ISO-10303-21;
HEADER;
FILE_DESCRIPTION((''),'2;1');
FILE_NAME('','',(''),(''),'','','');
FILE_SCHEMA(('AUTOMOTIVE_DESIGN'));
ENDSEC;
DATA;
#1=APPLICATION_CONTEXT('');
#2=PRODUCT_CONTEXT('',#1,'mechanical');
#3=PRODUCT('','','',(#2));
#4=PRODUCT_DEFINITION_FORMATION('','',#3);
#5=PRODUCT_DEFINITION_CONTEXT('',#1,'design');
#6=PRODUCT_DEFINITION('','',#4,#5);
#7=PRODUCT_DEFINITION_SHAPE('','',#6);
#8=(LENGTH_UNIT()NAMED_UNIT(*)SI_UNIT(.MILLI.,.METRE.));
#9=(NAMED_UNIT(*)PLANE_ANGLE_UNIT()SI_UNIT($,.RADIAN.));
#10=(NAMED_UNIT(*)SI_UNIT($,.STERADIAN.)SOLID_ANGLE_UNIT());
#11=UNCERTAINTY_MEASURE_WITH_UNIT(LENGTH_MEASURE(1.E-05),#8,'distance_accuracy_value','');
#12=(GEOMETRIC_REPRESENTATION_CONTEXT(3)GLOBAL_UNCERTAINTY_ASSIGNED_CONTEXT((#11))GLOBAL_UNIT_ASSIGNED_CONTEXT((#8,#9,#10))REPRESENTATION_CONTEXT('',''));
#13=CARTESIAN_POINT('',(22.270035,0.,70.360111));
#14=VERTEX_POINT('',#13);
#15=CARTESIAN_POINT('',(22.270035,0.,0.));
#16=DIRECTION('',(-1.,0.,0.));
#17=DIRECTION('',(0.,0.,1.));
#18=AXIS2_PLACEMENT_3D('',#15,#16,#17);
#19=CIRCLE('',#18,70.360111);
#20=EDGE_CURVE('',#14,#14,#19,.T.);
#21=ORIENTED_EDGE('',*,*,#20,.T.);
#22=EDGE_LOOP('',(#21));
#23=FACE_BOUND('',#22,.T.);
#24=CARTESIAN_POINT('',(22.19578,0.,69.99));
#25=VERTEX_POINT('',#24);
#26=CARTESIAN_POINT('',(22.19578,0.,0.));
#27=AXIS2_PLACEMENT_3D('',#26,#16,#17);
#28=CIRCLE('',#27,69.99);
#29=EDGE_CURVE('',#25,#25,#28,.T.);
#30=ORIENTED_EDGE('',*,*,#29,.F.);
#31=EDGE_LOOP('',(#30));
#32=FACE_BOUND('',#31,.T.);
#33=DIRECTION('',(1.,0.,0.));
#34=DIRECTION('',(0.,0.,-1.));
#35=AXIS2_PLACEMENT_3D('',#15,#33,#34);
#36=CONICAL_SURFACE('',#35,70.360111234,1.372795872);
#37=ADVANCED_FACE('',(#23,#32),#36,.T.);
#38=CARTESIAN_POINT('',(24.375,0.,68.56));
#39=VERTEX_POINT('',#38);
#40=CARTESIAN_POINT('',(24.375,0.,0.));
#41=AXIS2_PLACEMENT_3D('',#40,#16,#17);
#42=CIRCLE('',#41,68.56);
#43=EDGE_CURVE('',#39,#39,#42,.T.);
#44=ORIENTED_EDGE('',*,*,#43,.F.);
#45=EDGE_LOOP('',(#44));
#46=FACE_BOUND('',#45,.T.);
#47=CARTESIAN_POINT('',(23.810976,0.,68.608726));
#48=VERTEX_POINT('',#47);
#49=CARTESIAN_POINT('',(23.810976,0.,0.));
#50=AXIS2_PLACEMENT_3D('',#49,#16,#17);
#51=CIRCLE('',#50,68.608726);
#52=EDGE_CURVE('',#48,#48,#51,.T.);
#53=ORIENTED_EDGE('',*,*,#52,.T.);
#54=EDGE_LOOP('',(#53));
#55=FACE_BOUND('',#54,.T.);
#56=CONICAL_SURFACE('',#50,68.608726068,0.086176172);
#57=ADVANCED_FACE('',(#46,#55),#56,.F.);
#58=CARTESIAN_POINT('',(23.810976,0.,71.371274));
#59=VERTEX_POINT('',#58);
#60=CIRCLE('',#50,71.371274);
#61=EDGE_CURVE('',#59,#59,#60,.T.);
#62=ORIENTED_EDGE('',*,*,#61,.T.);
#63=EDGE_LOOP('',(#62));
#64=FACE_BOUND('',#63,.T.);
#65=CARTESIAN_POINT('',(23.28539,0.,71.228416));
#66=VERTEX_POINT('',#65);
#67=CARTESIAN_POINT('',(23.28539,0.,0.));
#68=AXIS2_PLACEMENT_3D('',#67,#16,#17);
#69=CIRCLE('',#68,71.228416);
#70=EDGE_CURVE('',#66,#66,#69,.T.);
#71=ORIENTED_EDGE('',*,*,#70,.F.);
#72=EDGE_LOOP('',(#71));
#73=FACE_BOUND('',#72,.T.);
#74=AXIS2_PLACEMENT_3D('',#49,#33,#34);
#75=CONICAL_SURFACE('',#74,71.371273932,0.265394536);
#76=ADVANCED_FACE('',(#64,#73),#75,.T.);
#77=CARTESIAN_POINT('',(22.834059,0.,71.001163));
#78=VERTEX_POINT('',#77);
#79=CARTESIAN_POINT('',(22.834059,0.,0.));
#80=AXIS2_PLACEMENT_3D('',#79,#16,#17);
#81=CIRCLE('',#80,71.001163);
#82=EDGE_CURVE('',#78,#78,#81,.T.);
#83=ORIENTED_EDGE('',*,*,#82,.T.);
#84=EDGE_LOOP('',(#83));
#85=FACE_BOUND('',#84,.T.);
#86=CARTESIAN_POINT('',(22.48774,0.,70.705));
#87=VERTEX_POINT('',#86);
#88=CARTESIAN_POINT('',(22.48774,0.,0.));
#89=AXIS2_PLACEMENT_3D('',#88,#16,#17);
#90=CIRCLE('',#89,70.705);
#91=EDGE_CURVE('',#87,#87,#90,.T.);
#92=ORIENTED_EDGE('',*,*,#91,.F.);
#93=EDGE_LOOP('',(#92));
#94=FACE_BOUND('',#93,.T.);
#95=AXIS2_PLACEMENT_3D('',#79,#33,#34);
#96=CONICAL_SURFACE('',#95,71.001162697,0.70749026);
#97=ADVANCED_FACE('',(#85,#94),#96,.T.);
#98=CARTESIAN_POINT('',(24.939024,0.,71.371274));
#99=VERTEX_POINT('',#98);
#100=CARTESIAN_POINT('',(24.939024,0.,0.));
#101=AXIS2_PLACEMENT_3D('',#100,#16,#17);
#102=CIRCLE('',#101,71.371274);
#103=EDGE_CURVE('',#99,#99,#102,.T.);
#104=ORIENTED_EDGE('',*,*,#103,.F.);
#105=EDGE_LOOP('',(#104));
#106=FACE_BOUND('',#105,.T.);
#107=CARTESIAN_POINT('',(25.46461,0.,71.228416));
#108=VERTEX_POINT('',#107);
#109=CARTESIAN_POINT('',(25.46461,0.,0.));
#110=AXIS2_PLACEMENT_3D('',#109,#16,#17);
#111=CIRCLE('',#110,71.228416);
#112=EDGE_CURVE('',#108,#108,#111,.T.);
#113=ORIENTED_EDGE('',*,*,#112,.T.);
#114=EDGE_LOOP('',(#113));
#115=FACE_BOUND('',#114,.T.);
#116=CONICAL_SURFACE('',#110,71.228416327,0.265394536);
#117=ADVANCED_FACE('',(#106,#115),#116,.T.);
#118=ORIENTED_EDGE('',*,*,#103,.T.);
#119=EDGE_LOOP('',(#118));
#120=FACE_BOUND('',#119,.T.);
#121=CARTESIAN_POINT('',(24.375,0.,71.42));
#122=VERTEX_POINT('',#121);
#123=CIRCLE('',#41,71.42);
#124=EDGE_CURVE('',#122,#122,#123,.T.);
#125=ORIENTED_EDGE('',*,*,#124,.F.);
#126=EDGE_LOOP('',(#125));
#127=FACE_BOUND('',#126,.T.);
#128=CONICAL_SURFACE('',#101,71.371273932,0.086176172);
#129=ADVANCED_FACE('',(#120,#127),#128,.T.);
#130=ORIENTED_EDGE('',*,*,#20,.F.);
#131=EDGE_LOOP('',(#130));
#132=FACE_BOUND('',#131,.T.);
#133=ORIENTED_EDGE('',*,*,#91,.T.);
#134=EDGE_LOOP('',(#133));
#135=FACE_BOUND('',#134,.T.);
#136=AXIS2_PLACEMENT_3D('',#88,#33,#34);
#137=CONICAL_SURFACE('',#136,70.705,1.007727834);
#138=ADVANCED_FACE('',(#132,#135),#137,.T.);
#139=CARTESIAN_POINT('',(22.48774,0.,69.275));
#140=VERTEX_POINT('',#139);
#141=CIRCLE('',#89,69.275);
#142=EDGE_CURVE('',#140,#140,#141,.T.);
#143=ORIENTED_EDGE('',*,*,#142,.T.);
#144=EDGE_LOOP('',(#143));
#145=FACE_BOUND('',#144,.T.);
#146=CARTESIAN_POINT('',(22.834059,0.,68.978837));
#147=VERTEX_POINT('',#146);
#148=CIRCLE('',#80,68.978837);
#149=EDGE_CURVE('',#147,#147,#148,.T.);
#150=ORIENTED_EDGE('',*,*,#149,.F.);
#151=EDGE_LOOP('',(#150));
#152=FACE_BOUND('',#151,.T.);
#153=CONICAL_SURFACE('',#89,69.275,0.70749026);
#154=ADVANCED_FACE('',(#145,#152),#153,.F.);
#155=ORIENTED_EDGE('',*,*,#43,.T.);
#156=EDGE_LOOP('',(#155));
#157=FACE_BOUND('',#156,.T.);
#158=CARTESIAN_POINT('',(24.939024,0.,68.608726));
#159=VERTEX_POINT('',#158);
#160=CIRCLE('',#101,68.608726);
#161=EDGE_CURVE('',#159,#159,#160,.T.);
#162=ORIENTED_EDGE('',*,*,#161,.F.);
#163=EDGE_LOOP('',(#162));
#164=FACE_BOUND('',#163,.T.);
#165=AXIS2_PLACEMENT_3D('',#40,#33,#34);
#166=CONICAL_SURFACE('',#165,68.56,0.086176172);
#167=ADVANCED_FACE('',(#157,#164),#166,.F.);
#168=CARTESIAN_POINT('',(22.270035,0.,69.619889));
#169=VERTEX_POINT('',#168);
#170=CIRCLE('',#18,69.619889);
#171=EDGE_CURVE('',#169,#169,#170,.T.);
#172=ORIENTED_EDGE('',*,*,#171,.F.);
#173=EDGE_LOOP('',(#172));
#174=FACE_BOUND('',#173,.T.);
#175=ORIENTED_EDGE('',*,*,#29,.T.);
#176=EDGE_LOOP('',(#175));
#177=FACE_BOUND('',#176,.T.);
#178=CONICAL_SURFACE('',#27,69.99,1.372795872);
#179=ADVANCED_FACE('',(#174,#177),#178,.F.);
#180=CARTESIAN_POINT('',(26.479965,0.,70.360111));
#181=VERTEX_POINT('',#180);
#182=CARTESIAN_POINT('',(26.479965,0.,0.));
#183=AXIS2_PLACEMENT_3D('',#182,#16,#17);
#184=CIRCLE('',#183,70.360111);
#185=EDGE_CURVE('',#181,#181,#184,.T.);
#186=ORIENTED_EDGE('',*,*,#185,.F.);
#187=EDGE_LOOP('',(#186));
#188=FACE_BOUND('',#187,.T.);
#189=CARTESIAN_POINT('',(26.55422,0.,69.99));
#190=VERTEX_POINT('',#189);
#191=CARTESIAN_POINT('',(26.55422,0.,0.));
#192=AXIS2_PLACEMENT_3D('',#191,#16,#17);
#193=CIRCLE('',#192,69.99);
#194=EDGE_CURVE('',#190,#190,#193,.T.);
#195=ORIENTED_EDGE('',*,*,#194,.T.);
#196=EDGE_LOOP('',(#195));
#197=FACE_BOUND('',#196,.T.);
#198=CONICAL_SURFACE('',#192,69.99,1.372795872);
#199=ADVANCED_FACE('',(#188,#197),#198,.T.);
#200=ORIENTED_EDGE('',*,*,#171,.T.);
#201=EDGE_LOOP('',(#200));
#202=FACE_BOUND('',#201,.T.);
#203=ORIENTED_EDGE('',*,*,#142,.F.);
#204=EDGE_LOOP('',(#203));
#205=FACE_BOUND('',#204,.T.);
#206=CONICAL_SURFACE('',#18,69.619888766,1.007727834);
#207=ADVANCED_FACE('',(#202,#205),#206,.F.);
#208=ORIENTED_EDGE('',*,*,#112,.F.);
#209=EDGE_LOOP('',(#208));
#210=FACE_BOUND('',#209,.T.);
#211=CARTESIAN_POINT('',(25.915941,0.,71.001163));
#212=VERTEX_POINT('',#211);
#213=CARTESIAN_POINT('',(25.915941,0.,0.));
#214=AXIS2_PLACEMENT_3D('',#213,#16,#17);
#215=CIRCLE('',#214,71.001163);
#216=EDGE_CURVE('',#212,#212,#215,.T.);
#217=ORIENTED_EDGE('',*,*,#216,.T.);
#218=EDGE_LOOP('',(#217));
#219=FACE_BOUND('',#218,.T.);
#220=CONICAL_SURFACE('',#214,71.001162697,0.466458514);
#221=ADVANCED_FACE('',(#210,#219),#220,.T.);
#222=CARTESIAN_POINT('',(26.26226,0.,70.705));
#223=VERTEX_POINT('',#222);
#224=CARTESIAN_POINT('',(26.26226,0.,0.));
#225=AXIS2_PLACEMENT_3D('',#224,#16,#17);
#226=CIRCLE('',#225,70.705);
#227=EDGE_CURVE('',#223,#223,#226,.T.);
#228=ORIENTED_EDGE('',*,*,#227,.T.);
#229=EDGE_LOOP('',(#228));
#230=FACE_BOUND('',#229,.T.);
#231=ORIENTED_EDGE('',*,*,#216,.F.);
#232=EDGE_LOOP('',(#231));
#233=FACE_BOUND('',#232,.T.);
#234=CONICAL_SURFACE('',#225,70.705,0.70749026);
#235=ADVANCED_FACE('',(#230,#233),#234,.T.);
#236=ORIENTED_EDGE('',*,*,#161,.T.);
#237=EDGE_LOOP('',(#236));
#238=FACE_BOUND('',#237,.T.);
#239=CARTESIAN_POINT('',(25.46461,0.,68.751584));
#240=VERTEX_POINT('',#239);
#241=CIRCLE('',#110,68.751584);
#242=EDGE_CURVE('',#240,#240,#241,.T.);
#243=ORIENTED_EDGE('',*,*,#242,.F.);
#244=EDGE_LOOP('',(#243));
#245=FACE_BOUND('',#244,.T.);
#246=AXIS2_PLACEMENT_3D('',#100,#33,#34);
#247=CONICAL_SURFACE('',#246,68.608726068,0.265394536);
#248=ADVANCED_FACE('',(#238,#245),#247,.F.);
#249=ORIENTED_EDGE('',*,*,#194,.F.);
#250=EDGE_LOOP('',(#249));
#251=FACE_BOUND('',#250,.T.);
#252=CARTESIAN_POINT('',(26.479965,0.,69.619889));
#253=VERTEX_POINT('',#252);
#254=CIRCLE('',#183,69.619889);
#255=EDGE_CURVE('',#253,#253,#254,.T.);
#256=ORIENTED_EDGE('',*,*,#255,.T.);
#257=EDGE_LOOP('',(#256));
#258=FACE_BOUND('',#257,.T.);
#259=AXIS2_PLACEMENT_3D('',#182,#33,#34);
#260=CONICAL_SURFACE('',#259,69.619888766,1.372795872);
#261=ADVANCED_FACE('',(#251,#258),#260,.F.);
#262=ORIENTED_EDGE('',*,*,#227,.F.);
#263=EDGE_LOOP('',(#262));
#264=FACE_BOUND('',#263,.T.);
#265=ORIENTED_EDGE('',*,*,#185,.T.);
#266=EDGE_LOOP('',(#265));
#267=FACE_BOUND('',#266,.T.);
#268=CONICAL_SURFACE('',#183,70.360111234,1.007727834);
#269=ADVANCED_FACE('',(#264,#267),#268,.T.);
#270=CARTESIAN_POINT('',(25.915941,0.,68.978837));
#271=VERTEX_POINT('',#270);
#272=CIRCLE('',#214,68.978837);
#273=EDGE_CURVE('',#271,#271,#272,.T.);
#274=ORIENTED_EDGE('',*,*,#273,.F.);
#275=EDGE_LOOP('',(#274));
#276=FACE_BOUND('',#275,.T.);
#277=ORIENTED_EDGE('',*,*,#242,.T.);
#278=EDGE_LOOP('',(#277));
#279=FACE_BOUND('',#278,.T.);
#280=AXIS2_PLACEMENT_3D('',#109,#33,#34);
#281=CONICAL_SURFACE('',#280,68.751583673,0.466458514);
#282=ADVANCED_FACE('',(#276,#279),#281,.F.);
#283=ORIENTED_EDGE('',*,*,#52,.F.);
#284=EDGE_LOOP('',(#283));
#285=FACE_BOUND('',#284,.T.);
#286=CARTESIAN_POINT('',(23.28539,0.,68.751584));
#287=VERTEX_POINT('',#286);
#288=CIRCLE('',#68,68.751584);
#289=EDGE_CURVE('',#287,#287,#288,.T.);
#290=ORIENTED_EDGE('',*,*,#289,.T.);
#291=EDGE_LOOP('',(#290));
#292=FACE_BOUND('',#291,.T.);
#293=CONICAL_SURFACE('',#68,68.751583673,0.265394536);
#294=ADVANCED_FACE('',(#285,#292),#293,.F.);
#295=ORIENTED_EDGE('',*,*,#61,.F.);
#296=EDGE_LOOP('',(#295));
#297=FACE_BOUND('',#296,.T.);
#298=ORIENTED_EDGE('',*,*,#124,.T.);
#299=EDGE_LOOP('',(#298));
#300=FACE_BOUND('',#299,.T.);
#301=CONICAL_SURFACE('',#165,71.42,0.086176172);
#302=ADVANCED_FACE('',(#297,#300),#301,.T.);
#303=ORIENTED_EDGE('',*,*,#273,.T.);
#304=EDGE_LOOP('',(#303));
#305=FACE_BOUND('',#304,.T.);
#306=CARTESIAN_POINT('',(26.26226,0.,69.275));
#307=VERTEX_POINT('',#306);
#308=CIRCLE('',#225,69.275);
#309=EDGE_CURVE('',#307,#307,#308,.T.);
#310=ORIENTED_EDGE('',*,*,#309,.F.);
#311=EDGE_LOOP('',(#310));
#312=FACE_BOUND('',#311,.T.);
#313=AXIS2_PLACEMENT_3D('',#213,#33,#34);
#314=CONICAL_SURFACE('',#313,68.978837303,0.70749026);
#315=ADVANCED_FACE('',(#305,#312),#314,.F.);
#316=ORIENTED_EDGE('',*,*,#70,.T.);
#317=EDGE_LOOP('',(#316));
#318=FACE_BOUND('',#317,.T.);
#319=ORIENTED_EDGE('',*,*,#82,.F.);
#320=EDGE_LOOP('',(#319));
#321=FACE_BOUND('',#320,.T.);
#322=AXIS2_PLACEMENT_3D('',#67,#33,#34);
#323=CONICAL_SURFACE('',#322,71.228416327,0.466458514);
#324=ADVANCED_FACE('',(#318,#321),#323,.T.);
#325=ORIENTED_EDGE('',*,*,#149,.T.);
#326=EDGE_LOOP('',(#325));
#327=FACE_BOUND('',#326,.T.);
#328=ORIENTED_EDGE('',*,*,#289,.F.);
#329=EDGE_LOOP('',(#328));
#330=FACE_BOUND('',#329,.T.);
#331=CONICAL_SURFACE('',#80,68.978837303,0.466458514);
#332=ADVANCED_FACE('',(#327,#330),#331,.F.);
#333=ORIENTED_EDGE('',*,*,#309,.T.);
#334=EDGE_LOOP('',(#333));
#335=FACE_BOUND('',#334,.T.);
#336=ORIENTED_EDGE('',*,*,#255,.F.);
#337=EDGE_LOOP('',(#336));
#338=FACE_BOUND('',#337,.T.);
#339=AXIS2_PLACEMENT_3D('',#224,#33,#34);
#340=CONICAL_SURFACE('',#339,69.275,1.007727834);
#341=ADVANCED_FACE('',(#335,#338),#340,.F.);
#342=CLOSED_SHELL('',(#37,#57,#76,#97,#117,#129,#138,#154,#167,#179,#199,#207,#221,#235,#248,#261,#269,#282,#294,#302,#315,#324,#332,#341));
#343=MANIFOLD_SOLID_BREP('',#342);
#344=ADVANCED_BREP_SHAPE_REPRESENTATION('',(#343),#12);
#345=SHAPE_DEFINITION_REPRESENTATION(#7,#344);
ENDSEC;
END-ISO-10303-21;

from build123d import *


with BuildPart() as part:
    # Tank_O_Ring Sketch → Tank_O_Ring (revolve)
    with BuildSketch(Plane.XY):
        Polygon((24.375, 71.42), (24.939023547, 71.371273932), (25.464609822, 71.228416327), (25.915940988, 71.001162697), (26.262259572, 70.705), (26.479964535, 70.360111234), (26.554219643, 69.99), (26.479964535, 69.619888766), (26.262259572, 69.275), (25.915940988, 68.978837303), (25.464609822, 68.751583673), (24.939023547, 68.608726068), (24.375, 68.56), (23.810976453, 68.608726068), (23.285390178, 68.751583673), (22.834059012, 68.978837303), (22.487740428, 69.275), (22.270035465, 69.619888766), (22.195780357, 69.99), (22.270035465, 70.360111234), (22.487740428, 70.705), (22.834059012, 71.001162697), (23.285390178, 71.228416327), (23.810976453, 71.371273932), align=None)
    revolve(axis=Axis((-1000, 0, 0), (1, 0, 0)))


solid = part.part
